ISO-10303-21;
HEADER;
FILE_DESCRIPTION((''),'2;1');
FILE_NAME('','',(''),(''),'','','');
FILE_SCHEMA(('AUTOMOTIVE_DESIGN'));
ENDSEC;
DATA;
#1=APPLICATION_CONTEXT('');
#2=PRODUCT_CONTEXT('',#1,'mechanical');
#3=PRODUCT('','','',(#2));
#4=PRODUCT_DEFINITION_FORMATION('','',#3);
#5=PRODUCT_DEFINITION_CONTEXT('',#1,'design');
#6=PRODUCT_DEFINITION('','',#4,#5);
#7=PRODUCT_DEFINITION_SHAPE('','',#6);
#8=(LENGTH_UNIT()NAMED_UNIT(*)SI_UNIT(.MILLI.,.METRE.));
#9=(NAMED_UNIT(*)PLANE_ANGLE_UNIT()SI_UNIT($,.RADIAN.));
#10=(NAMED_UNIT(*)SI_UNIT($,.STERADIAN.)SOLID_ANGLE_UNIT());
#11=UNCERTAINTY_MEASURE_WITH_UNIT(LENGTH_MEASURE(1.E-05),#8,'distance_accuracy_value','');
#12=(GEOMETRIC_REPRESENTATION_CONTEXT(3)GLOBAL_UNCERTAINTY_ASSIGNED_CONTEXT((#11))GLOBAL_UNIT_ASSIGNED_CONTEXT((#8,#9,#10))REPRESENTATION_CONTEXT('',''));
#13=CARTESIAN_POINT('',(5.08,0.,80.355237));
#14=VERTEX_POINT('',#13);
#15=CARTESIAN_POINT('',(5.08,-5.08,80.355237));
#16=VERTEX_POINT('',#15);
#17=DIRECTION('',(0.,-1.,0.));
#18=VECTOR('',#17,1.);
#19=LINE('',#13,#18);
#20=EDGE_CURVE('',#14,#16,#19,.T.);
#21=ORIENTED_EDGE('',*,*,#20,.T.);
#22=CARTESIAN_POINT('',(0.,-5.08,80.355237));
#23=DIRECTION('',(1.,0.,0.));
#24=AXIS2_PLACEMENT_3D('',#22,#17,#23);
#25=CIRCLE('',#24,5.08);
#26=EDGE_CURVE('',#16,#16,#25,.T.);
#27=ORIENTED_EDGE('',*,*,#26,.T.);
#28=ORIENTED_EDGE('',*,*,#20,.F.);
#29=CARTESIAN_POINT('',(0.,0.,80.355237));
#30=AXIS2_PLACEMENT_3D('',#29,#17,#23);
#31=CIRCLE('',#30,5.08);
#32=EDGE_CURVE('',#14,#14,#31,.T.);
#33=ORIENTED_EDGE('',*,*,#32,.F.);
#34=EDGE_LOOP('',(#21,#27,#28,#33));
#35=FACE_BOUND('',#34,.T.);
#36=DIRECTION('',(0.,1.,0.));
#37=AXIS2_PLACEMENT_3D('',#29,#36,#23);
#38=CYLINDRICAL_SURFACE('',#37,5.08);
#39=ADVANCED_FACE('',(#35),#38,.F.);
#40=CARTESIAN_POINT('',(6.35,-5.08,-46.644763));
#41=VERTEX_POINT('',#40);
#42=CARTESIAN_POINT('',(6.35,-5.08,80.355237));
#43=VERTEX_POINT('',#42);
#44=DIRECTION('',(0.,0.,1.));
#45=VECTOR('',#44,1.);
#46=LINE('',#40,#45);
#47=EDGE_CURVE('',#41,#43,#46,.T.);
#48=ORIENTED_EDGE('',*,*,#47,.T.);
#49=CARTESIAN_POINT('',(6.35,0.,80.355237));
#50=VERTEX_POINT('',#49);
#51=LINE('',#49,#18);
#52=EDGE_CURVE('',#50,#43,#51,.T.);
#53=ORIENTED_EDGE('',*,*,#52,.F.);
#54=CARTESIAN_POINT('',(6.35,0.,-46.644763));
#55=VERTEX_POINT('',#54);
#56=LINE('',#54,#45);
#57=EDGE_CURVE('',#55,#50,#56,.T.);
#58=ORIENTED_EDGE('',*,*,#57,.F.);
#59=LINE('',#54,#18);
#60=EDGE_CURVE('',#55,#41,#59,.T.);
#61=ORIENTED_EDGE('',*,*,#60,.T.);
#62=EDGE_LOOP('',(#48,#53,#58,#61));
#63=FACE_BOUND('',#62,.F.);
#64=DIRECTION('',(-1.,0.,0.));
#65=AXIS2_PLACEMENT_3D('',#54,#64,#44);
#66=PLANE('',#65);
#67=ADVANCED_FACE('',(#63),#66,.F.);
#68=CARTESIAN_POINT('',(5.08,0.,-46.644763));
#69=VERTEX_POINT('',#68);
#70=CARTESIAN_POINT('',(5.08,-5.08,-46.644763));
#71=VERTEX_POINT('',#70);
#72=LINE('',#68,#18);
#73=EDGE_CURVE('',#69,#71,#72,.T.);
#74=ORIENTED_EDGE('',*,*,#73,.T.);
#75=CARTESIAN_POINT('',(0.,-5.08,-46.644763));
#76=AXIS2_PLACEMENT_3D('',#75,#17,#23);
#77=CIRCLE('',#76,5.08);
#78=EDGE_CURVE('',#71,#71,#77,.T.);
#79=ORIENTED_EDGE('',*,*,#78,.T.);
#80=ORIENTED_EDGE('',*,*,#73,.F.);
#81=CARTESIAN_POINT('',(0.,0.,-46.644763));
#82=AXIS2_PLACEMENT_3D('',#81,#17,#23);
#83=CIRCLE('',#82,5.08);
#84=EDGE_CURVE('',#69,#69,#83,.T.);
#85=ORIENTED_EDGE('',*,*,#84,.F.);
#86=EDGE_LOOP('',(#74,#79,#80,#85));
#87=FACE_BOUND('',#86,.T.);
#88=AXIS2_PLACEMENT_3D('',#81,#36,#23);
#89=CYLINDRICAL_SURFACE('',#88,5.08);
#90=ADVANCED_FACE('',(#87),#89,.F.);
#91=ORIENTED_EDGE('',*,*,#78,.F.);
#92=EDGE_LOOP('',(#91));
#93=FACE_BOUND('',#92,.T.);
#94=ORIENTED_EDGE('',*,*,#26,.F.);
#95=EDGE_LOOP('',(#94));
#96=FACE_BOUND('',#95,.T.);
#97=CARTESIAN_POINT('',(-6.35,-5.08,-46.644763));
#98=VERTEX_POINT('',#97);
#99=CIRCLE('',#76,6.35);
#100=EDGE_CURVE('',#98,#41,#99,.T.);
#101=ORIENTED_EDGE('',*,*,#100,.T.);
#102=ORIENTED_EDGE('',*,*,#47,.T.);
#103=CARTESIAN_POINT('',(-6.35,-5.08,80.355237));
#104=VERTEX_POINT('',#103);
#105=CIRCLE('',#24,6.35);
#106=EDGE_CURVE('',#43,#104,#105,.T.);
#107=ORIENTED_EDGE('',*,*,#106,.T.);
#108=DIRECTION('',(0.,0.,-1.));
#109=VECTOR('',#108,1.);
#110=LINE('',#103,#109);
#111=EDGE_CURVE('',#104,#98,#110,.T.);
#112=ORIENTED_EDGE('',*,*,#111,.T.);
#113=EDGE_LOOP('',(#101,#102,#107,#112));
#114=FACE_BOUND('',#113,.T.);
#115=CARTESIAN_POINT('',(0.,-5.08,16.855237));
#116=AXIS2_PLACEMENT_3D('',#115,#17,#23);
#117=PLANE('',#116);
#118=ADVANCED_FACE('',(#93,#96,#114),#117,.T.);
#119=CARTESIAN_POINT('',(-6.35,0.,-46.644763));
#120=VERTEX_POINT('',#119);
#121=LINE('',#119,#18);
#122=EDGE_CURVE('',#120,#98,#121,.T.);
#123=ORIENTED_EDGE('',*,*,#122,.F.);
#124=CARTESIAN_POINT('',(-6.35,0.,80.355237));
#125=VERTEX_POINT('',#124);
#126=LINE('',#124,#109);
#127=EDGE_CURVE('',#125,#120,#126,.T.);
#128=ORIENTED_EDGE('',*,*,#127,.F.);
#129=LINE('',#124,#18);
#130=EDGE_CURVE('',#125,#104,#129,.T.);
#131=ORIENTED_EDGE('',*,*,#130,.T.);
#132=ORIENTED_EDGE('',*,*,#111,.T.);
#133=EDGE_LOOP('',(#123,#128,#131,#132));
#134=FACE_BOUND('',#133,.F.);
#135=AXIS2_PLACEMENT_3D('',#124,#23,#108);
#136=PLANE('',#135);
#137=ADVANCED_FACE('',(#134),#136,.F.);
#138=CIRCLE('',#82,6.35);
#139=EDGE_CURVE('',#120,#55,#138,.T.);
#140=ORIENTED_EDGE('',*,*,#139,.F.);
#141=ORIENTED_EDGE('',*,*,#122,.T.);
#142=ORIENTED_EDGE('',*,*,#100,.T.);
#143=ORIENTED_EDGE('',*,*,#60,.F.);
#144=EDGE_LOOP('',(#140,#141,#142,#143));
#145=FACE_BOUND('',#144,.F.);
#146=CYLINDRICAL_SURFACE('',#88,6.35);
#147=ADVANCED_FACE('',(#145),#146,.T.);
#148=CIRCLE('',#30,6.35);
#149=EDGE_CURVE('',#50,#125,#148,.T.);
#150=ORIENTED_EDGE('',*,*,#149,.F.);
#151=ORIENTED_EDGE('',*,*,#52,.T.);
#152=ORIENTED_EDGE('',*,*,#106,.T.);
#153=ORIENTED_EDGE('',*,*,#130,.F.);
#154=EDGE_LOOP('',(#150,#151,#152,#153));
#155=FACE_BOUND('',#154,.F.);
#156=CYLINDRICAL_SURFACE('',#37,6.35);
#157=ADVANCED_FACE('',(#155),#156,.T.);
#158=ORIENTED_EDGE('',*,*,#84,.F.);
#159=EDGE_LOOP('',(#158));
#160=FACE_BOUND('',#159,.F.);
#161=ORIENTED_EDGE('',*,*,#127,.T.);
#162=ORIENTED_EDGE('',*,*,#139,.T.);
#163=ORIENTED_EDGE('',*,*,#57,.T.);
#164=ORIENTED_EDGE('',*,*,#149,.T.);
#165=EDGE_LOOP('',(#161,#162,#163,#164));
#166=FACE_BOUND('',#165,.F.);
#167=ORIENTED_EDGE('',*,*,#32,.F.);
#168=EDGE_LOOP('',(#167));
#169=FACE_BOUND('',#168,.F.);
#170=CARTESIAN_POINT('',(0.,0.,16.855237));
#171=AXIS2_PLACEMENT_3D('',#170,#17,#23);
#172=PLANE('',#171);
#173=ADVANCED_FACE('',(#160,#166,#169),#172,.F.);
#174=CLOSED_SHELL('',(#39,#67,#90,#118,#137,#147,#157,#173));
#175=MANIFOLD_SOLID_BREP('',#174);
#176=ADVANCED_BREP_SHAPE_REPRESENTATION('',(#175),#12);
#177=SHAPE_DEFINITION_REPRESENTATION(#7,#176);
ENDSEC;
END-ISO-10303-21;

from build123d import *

# Parameters (mm, degrees)
F0_R     = 5.08
F1_DEPTH = 5.08


with BuildPart() as f1:
    # F0 (on Front) → F1 (new body)
    with BuildSketch(Plane.XZ):
        with BuildLine():
            Line((6.35, -46.644763), (6.35, 80.355237))
            ThreePointArc((6.35, 80.355237), (0, 74.005237), (-6.35, 80.355237))
            Line((-6.35, 80.355237), (-6.35, -46.644763))
            ThreePointArc((-6.35, -46.644763), (0, -40.294763), (6.35, -46.644763))
        make_face()
        with BuildLine():
            ThreePointArc((-6.35, 80.355237), (0, 74.005237), (6.35, 80.355237))
            ThreePointArc((6.35, 80.355237), (0, 86.705237), (-6.35, 80.355237))
        make_face()
        with Locations((0, 80.355237)):
            Circle(F0_R, mode=Mode.SUBTRACT)
        with BuildLine():
            ThreePointArc((-6.35, -46.644763), (0, -52.994763), (6.35, -46.644763))
            ThreePointArc((6.35, -46.644763), (0, -40.294763), (-6.35, -46.644763))
        make_face()
        with Locations((0, -46.644763)):
            Circle(F0_R, mode=Mode.SUBTRACT)
    extrude(amount=F1_DEPTH)


solid = f1.part
